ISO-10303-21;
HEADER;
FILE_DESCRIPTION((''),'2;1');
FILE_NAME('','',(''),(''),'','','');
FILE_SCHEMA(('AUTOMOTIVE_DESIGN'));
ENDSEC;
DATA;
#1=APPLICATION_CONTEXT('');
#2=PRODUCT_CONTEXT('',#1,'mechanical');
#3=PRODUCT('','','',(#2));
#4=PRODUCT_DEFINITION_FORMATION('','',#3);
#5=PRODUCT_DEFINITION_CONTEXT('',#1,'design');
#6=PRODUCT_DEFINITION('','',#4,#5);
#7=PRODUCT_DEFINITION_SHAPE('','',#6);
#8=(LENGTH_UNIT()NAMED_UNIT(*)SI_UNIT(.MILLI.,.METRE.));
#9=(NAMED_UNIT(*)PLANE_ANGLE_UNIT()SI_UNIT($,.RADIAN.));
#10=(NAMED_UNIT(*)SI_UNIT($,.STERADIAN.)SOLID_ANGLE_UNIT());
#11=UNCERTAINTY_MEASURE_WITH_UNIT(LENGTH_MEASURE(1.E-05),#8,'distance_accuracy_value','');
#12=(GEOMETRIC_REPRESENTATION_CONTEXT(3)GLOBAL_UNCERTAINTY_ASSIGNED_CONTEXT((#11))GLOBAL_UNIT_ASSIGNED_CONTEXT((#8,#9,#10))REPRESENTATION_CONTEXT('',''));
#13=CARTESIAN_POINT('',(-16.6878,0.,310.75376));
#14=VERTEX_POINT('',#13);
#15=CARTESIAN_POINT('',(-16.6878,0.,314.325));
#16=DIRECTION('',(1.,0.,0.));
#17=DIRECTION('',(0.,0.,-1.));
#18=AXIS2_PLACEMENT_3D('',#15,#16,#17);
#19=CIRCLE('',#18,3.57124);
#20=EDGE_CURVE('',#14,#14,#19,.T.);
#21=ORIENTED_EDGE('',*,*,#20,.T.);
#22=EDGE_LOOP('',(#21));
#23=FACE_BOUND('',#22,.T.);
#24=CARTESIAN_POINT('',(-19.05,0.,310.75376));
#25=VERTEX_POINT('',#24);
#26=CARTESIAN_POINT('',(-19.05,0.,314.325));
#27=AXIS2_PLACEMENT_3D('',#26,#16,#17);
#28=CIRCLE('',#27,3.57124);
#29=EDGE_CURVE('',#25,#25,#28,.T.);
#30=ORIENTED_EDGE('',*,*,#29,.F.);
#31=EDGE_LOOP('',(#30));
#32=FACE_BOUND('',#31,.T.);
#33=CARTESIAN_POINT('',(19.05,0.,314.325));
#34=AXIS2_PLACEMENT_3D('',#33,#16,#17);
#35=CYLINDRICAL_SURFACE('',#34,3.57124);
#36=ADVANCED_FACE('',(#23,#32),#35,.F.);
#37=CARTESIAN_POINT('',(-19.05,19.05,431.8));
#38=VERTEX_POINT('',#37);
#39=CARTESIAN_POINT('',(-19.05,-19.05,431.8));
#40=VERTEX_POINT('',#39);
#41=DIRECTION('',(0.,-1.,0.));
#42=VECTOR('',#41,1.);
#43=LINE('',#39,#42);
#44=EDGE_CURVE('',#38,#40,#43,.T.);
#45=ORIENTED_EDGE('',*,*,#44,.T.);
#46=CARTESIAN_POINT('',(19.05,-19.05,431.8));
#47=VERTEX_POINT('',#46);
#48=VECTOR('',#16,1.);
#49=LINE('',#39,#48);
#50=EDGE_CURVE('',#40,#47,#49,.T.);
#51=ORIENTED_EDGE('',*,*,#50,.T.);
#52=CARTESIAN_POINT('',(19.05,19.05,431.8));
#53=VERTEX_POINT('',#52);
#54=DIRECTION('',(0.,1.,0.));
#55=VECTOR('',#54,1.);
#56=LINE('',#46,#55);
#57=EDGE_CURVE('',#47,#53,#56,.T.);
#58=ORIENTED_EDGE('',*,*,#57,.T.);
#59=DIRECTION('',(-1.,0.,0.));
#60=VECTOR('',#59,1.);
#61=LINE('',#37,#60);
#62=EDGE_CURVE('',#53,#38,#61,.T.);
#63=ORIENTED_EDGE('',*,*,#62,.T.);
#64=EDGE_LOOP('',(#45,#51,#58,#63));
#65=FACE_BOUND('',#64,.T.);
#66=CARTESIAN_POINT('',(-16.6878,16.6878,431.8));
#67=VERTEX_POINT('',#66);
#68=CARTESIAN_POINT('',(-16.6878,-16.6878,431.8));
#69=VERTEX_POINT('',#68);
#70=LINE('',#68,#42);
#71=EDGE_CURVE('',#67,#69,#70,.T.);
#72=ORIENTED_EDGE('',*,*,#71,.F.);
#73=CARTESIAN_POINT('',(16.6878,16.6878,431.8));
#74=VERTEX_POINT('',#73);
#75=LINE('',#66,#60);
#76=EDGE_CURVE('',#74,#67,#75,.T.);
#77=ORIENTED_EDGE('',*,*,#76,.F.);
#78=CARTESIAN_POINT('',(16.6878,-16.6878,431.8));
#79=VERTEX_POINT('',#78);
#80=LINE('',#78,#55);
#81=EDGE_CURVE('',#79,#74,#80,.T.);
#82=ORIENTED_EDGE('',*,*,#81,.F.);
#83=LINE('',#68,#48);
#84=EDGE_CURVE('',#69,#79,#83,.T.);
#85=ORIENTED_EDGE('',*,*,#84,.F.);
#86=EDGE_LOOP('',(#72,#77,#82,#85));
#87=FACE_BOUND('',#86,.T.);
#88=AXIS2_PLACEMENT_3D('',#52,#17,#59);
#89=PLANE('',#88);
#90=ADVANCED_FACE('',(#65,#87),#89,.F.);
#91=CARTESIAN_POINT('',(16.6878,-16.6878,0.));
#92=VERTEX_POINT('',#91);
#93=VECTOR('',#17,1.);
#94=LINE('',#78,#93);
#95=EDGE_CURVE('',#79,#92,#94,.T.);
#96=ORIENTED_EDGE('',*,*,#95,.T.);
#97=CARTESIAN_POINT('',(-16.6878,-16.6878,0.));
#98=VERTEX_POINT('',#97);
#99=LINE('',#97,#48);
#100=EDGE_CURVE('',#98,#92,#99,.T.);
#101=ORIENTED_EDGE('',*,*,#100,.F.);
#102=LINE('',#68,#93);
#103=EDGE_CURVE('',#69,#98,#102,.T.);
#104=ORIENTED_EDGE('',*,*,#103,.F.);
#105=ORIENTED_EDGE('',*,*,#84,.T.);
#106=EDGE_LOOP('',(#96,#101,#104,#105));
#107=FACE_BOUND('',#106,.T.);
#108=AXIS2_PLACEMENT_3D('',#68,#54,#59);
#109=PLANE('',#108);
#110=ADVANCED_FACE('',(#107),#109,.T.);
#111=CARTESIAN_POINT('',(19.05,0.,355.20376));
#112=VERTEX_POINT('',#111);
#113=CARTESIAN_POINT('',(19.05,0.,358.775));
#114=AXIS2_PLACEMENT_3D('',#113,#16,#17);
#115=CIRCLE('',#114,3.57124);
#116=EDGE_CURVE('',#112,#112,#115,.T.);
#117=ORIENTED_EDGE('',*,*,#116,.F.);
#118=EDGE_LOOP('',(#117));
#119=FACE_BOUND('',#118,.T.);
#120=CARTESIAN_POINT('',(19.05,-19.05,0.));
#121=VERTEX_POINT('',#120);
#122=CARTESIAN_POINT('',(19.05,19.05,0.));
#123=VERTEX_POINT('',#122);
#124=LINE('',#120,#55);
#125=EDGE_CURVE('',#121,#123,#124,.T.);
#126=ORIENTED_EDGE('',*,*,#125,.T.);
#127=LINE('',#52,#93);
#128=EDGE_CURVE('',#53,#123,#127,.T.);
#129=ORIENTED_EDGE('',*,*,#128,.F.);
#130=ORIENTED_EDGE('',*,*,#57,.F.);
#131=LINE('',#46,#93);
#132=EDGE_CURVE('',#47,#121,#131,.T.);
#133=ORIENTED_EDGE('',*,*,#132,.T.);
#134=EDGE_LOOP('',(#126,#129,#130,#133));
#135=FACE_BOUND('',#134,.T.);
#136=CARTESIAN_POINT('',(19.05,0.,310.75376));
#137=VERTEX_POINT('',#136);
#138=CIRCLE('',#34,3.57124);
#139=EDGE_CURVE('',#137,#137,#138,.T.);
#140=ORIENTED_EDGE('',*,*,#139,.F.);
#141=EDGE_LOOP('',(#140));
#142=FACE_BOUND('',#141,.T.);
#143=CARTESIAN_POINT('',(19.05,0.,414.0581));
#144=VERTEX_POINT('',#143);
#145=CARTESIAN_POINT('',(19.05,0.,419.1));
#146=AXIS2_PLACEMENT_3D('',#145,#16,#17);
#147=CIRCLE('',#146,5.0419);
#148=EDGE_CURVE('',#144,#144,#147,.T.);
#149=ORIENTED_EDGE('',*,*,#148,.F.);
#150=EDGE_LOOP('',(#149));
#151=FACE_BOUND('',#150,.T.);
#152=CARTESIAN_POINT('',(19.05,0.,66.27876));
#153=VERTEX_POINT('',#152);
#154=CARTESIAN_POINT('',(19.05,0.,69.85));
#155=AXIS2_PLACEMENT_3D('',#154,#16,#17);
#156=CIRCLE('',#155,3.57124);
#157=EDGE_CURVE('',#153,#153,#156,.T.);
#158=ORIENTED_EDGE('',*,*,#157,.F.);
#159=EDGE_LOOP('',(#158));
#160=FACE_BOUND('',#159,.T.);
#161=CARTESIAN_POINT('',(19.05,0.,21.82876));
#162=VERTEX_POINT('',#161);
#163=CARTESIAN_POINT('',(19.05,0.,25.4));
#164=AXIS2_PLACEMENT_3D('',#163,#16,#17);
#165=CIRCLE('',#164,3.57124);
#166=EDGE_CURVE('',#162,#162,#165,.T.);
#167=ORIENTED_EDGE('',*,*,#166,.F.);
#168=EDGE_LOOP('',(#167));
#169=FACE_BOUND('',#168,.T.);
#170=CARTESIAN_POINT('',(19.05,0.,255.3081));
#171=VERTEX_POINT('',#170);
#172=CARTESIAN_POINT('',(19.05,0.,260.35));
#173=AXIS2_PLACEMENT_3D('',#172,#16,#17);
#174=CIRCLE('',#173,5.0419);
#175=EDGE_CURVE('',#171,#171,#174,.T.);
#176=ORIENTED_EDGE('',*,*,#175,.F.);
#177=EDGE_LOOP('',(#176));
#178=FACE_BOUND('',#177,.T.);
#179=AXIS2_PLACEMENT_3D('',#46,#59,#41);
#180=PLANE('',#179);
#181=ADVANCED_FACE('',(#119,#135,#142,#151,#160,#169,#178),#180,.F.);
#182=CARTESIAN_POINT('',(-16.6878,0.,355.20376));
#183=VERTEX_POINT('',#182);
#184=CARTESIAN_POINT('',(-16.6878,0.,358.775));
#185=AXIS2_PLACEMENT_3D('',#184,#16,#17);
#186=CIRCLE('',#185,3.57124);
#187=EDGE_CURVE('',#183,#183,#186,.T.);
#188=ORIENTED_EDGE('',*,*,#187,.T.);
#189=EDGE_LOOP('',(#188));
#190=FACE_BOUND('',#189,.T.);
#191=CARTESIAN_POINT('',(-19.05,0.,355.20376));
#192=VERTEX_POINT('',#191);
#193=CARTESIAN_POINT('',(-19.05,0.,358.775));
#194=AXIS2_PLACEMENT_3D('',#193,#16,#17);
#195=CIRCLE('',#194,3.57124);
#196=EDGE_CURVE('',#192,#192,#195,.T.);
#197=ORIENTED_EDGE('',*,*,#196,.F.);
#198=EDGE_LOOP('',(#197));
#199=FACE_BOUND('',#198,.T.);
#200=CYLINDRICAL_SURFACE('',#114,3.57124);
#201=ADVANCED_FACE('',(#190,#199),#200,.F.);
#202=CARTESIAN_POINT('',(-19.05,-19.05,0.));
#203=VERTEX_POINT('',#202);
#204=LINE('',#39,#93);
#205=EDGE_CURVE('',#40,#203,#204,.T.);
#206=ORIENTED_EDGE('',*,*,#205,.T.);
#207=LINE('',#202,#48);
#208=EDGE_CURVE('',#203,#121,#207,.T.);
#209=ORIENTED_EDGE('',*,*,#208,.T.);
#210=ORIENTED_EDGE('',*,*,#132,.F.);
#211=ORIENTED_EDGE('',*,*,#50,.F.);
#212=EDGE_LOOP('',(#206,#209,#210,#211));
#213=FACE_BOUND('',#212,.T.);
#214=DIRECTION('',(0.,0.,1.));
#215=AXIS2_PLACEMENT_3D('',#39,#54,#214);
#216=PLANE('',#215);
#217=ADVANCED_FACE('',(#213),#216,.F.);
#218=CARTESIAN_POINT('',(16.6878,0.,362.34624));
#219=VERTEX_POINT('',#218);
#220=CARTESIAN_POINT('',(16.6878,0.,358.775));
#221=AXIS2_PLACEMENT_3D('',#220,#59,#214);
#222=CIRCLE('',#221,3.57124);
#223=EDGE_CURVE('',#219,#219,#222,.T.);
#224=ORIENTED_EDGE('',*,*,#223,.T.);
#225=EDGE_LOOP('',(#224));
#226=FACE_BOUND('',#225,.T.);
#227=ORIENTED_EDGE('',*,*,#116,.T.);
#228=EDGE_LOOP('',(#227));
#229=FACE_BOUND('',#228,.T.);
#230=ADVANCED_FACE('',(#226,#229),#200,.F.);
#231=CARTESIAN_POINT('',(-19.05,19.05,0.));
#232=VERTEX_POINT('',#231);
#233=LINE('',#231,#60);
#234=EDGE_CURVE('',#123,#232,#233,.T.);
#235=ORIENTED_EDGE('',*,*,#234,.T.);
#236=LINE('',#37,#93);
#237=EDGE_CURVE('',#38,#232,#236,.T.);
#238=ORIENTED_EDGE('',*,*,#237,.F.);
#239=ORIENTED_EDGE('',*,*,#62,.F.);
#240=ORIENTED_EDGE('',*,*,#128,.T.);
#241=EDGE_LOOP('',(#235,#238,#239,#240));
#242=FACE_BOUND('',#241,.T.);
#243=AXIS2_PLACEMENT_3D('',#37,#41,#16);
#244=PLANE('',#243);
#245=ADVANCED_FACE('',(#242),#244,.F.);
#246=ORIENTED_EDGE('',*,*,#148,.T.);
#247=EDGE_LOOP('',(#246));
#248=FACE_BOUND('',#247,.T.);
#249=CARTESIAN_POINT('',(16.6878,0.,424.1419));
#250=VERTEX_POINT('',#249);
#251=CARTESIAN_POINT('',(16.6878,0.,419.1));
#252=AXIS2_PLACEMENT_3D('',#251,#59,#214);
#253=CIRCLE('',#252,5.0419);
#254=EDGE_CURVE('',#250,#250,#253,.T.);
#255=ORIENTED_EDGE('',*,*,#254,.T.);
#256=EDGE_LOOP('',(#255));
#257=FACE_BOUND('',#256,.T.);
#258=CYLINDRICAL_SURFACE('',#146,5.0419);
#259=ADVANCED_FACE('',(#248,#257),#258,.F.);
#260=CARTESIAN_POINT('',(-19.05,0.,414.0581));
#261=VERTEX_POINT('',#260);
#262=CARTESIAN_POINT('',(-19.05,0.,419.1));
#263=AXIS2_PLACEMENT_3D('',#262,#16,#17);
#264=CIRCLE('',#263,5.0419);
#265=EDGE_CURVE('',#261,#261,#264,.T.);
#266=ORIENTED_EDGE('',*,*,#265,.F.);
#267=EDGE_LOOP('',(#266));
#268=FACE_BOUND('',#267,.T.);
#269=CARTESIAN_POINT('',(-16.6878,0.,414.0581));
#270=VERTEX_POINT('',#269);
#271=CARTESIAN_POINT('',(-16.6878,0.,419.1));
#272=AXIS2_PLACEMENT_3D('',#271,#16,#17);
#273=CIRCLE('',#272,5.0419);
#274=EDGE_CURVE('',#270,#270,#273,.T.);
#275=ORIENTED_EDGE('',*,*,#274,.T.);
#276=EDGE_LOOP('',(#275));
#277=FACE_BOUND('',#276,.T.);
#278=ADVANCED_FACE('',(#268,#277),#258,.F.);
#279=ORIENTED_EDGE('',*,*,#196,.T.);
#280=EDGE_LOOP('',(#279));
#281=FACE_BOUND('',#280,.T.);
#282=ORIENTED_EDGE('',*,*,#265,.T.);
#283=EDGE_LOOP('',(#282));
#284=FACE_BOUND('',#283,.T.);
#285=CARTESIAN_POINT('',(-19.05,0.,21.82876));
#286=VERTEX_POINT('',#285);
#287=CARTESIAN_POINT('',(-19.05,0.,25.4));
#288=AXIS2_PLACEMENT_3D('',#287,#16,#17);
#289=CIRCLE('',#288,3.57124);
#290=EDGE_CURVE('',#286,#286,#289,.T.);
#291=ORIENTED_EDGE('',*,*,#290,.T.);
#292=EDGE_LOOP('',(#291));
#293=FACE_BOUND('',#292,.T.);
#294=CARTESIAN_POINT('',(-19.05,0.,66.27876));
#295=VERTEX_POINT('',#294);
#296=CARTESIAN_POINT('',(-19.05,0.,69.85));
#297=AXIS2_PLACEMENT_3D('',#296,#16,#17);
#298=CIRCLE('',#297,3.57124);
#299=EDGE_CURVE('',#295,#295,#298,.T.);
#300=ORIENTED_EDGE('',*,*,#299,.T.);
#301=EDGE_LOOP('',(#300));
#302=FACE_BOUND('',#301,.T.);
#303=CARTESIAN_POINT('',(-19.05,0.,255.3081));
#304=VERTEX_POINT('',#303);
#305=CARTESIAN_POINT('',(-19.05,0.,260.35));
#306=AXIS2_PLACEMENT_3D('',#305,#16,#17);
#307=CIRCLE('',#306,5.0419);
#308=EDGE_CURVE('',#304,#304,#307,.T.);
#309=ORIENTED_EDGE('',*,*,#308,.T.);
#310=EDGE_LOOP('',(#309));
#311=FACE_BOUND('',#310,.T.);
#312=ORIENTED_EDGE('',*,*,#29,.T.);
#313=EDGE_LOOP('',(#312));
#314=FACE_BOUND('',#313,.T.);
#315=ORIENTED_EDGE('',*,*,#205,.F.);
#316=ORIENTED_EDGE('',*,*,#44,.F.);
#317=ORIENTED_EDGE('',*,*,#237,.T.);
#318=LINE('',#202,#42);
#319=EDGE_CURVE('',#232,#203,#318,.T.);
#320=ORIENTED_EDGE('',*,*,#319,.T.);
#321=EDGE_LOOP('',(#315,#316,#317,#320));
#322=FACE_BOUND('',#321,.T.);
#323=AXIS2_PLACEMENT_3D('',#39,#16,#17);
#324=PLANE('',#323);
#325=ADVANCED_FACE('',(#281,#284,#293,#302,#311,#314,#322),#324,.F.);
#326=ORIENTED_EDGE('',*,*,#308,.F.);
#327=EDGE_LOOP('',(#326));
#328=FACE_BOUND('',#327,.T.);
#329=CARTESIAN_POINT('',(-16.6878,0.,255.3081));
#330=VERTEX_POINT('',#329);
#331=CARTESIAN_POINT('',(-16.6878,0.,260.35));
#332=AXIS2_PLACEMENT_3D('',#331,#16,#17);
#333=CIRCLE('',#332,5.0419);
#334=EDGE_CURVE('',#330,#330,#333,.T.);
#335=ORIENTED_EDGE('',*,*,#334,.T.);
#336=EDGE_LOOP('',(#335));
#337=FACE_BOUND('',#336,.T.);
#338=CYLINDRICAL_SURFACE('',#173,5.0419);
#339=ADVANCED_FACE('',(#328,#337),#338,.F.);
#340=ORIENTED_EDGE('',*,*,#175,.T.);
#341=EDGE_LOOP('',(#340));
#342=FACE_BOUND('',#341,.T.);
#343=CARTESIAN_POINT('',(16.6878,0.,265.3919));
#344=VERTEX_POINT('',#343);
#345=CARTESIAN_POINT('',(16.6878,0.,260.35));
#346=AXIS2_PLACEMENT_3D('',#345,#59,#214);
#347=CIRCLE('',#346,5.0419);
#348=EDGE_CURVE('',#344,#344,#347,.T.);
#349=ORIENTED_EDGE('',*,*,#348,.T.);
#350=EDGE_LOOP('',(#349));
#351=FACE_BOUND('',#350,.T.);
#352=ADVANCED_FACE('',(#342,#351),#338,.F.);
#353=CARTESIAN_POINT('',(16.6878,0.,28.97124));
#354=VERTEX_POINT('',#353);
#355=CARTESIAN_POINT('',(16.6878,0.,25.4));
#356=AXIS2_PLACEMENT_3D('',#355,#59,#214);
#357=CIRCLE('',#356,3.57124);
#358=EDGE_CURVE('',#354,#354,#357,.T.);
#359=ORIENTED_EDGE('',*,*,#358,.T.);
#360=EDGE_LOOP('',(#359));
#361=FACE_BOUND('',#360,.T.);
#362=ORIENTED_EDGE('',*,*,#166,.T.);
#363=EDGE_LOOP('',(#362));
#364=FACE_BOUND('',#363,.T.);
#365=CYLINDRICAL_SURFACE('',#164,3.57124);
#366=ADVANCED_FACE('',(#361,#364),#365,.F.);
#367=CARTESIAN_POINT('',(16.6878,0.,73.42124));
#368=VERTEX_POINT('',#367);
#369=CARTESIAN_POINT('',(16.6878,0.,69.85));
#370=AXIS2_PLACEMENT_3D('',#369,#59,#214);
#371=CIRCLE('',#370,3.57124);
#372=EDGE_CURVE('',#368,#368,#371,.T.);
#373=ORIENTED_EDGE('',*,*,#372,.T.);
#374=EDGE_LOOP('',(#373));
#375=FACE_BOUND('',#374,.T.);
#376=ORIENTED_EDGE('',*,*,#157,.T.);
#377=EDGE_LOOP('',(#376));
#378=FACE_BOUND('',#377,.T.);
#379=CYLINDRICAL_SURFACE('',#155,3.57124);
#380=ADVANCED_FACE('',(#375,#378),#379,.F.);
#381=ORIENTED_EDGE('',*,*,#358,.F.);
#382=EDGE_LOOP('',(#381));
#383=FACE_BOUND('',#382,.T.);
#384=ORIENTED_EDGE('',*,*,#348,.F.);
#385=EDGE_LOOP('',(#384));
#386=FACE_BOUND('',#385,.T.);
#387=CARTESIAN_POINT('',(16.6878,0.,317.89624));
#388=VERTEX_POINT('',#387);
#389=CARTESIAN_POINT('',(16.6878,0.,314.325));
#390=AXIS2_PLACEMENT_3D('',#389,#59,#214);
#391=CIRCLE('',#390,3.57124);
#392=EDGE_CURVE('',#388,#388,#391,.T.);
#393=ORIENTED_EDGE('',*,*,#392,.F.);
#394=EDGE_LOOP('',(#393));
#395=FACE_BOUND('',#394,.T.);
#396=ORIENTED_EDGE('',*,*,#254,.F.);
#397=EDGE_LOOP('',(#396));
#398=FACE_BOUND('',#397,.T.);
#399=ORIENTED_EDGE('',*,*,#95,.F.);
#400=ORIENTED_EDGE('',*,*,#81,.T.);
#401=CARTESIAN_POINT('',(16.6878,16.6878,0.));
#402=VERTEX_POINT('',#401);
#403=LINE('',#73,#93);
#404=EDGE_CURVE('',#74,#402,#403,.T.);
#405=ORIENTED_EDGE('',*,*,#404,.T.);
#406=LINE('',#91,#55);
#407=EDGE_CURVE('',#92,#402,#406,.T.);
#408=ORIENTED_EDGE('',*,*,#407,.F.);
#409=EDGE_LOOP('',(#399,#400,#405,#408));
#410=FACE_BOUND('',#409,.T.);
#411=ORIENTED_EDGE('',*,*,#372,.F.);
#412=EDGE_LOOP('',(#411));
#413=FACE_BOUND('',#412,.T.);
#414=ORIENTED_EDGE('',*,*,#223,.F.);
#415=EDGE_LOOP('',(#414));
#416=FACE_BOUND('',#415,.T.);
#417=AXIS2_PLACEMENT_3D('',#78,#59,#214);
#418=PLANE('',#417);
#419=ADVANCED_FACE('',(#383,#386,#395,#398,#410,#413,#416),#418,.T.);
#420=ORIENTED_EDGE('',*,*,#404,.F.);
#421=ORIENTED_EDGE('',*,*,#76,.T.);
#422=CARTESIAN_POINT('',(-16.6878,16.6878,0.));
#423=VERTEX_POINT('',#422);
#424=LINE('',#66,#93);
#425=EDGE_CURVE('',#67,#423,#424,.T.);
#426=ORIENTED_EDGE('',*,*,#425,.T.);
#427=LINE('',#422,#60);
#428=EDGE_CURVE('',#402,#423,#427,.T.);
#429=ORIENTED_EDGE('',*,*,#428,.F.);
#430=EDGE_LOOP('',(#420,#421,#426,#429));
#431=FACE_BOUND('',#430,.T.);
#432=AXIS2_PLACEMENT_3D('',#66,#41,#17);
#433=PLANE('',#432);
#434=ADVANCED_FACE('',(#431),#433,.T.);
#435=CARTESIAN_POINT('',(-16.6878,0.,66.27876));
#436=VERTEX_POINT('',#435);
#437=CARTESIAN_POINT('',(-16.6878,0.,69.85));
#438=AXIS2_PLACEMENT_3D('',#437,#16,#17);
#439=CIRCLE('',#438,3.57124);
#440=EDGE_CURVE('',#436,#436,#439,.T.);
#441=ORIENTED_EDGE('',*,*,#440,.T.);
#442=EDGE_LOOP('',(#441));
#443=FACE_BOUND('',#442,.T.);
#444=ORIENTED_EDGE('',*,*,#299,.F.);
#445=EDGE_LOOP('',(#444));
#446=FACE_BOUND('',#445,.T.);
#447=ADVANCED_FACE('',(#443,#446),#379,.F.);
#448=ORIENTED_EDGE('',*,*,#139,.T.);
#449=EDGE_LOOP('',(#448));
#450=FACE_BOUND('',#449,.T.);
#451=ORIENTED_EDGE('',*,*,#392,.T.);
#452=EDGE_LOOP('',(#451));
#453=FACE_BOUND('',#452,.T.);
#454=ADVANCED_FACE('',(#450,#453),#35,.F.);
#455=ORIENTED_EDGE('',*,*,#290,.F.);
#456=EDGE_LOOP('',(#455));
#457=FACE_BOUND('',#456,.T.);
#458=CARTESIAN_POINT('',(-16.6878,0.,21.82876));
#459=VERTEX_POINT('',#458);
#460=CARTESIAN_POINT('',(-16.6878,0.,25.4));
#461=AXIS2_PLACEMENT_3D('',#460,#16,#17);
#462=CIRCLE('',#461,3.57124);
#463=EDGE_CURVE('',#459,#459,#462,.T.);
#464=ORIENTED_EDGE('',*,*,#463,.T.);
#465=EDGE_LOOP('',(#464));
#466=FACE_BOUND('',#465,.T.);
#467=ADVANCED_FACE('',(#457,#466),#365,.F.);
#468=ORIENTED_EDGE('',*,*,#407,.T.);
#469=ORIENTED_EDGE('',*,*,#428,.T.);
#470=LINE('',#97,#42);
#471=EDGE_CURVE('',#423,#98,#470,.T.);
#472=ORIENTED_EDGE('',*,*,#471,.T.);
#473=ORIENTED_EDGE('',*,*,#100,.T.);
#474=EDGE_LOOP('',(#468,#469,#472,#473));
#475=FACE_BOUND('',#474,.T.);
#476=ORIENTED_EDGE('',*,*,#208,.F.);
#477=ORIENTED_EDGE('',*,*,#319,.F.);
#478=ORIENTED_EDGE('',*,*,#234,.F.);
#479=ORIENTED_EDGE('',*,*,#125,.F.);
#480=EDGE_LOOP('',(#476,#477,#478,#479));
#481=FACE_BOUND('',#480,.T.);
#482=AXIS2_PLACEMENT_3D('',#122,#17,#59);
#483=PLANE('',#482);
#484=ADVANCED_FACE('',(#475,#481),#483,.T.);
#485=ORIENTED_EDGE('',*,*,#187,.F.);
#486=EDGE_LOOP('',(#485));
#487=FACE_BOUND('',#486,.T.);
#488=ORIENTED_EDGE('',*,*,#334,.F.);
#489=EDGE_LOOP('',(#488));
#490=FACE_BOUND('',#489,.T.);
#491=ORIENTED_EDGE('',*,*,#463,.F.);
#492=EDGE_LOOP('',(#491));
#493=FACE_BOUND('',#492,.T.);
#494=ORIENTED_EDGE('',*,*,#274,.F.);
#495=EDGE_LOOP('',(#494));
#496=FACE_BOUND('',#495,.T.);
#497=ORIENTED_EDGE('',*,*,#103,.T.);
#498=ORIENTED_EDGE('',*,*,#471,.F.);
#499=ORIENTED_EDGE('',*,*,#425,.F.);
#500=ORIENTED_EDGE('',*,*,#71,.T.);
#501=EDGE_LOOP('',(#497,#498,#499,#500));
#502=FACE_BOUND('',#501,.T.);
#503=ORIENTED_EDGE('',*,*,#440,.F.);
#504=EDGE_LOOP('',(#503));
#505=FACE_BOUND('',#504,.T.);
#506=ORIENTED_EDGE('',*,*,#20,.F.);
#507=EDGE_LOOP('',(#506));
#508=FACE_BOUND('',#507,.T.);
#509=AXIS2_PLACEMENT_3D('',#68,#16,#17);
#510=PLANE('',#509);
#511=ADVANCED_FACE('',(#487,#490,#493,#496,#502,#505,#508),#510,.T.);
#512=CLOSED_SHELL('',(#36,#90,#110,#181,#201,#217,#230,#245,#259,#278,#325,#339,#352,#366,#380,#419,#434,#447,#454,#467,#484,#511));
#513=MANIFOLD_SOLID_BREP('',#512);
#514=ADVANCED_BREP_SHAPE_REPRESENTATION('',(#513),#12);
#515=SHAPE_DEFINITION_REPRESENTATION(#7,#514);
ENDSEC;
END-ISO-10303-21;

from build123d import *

# Parameters (mm, degrees)
SKETCH1_W               = 38.1
SKETCH1_H               = 38.1
SKETCH1_W_2             = 33.3756
SKETCH1_H_2             = 33.3756
EXTRUDE1_DEPTH          = 431.8
F_1_4_CLEARANCE_HOLE1_D = 7.14248
F_3_8_CLEARANCE_HOLE1_D = 10.0838


with BuildPart() as part:
    # Sketch1 → Extrude1 (new body)
    with BuildSketch(Plane.XY):
        Rectangle(SKETCH1_W, SKETCH1_H)
        Rectangle(SKETCH1_W_2, SKETCH1_H_2, mode=Mode.SUBTRACT)
    extrude(amount=EXTRUDE1_DEPTH)

    # 1/4 Clearance Hole1 (through all)
    with Locations(Plane(origin=(19.05, 0, 358.775), x_dir=(0, 1, 0), z_dir=(1, 0, 0))):
        with Locations((0, 0), (0, -44.45), (0, -288.925), (0, -333.375)):
            Hole(F_1_4_CLEARANCE_HOLE1_D / 2)

    # 3/8 Clearance Hole1 (through all)
    with Locations(Plane(origin=(19.05, 0, 419.1), x_dir=(0, 1, 0), z_dir=(1, 0, 0))):
        with Locations((0, 0), (0, -158.75)):
            Hole(F_3_8_CLEARANCE_HOLE1_D / 2)


solid = part.part
